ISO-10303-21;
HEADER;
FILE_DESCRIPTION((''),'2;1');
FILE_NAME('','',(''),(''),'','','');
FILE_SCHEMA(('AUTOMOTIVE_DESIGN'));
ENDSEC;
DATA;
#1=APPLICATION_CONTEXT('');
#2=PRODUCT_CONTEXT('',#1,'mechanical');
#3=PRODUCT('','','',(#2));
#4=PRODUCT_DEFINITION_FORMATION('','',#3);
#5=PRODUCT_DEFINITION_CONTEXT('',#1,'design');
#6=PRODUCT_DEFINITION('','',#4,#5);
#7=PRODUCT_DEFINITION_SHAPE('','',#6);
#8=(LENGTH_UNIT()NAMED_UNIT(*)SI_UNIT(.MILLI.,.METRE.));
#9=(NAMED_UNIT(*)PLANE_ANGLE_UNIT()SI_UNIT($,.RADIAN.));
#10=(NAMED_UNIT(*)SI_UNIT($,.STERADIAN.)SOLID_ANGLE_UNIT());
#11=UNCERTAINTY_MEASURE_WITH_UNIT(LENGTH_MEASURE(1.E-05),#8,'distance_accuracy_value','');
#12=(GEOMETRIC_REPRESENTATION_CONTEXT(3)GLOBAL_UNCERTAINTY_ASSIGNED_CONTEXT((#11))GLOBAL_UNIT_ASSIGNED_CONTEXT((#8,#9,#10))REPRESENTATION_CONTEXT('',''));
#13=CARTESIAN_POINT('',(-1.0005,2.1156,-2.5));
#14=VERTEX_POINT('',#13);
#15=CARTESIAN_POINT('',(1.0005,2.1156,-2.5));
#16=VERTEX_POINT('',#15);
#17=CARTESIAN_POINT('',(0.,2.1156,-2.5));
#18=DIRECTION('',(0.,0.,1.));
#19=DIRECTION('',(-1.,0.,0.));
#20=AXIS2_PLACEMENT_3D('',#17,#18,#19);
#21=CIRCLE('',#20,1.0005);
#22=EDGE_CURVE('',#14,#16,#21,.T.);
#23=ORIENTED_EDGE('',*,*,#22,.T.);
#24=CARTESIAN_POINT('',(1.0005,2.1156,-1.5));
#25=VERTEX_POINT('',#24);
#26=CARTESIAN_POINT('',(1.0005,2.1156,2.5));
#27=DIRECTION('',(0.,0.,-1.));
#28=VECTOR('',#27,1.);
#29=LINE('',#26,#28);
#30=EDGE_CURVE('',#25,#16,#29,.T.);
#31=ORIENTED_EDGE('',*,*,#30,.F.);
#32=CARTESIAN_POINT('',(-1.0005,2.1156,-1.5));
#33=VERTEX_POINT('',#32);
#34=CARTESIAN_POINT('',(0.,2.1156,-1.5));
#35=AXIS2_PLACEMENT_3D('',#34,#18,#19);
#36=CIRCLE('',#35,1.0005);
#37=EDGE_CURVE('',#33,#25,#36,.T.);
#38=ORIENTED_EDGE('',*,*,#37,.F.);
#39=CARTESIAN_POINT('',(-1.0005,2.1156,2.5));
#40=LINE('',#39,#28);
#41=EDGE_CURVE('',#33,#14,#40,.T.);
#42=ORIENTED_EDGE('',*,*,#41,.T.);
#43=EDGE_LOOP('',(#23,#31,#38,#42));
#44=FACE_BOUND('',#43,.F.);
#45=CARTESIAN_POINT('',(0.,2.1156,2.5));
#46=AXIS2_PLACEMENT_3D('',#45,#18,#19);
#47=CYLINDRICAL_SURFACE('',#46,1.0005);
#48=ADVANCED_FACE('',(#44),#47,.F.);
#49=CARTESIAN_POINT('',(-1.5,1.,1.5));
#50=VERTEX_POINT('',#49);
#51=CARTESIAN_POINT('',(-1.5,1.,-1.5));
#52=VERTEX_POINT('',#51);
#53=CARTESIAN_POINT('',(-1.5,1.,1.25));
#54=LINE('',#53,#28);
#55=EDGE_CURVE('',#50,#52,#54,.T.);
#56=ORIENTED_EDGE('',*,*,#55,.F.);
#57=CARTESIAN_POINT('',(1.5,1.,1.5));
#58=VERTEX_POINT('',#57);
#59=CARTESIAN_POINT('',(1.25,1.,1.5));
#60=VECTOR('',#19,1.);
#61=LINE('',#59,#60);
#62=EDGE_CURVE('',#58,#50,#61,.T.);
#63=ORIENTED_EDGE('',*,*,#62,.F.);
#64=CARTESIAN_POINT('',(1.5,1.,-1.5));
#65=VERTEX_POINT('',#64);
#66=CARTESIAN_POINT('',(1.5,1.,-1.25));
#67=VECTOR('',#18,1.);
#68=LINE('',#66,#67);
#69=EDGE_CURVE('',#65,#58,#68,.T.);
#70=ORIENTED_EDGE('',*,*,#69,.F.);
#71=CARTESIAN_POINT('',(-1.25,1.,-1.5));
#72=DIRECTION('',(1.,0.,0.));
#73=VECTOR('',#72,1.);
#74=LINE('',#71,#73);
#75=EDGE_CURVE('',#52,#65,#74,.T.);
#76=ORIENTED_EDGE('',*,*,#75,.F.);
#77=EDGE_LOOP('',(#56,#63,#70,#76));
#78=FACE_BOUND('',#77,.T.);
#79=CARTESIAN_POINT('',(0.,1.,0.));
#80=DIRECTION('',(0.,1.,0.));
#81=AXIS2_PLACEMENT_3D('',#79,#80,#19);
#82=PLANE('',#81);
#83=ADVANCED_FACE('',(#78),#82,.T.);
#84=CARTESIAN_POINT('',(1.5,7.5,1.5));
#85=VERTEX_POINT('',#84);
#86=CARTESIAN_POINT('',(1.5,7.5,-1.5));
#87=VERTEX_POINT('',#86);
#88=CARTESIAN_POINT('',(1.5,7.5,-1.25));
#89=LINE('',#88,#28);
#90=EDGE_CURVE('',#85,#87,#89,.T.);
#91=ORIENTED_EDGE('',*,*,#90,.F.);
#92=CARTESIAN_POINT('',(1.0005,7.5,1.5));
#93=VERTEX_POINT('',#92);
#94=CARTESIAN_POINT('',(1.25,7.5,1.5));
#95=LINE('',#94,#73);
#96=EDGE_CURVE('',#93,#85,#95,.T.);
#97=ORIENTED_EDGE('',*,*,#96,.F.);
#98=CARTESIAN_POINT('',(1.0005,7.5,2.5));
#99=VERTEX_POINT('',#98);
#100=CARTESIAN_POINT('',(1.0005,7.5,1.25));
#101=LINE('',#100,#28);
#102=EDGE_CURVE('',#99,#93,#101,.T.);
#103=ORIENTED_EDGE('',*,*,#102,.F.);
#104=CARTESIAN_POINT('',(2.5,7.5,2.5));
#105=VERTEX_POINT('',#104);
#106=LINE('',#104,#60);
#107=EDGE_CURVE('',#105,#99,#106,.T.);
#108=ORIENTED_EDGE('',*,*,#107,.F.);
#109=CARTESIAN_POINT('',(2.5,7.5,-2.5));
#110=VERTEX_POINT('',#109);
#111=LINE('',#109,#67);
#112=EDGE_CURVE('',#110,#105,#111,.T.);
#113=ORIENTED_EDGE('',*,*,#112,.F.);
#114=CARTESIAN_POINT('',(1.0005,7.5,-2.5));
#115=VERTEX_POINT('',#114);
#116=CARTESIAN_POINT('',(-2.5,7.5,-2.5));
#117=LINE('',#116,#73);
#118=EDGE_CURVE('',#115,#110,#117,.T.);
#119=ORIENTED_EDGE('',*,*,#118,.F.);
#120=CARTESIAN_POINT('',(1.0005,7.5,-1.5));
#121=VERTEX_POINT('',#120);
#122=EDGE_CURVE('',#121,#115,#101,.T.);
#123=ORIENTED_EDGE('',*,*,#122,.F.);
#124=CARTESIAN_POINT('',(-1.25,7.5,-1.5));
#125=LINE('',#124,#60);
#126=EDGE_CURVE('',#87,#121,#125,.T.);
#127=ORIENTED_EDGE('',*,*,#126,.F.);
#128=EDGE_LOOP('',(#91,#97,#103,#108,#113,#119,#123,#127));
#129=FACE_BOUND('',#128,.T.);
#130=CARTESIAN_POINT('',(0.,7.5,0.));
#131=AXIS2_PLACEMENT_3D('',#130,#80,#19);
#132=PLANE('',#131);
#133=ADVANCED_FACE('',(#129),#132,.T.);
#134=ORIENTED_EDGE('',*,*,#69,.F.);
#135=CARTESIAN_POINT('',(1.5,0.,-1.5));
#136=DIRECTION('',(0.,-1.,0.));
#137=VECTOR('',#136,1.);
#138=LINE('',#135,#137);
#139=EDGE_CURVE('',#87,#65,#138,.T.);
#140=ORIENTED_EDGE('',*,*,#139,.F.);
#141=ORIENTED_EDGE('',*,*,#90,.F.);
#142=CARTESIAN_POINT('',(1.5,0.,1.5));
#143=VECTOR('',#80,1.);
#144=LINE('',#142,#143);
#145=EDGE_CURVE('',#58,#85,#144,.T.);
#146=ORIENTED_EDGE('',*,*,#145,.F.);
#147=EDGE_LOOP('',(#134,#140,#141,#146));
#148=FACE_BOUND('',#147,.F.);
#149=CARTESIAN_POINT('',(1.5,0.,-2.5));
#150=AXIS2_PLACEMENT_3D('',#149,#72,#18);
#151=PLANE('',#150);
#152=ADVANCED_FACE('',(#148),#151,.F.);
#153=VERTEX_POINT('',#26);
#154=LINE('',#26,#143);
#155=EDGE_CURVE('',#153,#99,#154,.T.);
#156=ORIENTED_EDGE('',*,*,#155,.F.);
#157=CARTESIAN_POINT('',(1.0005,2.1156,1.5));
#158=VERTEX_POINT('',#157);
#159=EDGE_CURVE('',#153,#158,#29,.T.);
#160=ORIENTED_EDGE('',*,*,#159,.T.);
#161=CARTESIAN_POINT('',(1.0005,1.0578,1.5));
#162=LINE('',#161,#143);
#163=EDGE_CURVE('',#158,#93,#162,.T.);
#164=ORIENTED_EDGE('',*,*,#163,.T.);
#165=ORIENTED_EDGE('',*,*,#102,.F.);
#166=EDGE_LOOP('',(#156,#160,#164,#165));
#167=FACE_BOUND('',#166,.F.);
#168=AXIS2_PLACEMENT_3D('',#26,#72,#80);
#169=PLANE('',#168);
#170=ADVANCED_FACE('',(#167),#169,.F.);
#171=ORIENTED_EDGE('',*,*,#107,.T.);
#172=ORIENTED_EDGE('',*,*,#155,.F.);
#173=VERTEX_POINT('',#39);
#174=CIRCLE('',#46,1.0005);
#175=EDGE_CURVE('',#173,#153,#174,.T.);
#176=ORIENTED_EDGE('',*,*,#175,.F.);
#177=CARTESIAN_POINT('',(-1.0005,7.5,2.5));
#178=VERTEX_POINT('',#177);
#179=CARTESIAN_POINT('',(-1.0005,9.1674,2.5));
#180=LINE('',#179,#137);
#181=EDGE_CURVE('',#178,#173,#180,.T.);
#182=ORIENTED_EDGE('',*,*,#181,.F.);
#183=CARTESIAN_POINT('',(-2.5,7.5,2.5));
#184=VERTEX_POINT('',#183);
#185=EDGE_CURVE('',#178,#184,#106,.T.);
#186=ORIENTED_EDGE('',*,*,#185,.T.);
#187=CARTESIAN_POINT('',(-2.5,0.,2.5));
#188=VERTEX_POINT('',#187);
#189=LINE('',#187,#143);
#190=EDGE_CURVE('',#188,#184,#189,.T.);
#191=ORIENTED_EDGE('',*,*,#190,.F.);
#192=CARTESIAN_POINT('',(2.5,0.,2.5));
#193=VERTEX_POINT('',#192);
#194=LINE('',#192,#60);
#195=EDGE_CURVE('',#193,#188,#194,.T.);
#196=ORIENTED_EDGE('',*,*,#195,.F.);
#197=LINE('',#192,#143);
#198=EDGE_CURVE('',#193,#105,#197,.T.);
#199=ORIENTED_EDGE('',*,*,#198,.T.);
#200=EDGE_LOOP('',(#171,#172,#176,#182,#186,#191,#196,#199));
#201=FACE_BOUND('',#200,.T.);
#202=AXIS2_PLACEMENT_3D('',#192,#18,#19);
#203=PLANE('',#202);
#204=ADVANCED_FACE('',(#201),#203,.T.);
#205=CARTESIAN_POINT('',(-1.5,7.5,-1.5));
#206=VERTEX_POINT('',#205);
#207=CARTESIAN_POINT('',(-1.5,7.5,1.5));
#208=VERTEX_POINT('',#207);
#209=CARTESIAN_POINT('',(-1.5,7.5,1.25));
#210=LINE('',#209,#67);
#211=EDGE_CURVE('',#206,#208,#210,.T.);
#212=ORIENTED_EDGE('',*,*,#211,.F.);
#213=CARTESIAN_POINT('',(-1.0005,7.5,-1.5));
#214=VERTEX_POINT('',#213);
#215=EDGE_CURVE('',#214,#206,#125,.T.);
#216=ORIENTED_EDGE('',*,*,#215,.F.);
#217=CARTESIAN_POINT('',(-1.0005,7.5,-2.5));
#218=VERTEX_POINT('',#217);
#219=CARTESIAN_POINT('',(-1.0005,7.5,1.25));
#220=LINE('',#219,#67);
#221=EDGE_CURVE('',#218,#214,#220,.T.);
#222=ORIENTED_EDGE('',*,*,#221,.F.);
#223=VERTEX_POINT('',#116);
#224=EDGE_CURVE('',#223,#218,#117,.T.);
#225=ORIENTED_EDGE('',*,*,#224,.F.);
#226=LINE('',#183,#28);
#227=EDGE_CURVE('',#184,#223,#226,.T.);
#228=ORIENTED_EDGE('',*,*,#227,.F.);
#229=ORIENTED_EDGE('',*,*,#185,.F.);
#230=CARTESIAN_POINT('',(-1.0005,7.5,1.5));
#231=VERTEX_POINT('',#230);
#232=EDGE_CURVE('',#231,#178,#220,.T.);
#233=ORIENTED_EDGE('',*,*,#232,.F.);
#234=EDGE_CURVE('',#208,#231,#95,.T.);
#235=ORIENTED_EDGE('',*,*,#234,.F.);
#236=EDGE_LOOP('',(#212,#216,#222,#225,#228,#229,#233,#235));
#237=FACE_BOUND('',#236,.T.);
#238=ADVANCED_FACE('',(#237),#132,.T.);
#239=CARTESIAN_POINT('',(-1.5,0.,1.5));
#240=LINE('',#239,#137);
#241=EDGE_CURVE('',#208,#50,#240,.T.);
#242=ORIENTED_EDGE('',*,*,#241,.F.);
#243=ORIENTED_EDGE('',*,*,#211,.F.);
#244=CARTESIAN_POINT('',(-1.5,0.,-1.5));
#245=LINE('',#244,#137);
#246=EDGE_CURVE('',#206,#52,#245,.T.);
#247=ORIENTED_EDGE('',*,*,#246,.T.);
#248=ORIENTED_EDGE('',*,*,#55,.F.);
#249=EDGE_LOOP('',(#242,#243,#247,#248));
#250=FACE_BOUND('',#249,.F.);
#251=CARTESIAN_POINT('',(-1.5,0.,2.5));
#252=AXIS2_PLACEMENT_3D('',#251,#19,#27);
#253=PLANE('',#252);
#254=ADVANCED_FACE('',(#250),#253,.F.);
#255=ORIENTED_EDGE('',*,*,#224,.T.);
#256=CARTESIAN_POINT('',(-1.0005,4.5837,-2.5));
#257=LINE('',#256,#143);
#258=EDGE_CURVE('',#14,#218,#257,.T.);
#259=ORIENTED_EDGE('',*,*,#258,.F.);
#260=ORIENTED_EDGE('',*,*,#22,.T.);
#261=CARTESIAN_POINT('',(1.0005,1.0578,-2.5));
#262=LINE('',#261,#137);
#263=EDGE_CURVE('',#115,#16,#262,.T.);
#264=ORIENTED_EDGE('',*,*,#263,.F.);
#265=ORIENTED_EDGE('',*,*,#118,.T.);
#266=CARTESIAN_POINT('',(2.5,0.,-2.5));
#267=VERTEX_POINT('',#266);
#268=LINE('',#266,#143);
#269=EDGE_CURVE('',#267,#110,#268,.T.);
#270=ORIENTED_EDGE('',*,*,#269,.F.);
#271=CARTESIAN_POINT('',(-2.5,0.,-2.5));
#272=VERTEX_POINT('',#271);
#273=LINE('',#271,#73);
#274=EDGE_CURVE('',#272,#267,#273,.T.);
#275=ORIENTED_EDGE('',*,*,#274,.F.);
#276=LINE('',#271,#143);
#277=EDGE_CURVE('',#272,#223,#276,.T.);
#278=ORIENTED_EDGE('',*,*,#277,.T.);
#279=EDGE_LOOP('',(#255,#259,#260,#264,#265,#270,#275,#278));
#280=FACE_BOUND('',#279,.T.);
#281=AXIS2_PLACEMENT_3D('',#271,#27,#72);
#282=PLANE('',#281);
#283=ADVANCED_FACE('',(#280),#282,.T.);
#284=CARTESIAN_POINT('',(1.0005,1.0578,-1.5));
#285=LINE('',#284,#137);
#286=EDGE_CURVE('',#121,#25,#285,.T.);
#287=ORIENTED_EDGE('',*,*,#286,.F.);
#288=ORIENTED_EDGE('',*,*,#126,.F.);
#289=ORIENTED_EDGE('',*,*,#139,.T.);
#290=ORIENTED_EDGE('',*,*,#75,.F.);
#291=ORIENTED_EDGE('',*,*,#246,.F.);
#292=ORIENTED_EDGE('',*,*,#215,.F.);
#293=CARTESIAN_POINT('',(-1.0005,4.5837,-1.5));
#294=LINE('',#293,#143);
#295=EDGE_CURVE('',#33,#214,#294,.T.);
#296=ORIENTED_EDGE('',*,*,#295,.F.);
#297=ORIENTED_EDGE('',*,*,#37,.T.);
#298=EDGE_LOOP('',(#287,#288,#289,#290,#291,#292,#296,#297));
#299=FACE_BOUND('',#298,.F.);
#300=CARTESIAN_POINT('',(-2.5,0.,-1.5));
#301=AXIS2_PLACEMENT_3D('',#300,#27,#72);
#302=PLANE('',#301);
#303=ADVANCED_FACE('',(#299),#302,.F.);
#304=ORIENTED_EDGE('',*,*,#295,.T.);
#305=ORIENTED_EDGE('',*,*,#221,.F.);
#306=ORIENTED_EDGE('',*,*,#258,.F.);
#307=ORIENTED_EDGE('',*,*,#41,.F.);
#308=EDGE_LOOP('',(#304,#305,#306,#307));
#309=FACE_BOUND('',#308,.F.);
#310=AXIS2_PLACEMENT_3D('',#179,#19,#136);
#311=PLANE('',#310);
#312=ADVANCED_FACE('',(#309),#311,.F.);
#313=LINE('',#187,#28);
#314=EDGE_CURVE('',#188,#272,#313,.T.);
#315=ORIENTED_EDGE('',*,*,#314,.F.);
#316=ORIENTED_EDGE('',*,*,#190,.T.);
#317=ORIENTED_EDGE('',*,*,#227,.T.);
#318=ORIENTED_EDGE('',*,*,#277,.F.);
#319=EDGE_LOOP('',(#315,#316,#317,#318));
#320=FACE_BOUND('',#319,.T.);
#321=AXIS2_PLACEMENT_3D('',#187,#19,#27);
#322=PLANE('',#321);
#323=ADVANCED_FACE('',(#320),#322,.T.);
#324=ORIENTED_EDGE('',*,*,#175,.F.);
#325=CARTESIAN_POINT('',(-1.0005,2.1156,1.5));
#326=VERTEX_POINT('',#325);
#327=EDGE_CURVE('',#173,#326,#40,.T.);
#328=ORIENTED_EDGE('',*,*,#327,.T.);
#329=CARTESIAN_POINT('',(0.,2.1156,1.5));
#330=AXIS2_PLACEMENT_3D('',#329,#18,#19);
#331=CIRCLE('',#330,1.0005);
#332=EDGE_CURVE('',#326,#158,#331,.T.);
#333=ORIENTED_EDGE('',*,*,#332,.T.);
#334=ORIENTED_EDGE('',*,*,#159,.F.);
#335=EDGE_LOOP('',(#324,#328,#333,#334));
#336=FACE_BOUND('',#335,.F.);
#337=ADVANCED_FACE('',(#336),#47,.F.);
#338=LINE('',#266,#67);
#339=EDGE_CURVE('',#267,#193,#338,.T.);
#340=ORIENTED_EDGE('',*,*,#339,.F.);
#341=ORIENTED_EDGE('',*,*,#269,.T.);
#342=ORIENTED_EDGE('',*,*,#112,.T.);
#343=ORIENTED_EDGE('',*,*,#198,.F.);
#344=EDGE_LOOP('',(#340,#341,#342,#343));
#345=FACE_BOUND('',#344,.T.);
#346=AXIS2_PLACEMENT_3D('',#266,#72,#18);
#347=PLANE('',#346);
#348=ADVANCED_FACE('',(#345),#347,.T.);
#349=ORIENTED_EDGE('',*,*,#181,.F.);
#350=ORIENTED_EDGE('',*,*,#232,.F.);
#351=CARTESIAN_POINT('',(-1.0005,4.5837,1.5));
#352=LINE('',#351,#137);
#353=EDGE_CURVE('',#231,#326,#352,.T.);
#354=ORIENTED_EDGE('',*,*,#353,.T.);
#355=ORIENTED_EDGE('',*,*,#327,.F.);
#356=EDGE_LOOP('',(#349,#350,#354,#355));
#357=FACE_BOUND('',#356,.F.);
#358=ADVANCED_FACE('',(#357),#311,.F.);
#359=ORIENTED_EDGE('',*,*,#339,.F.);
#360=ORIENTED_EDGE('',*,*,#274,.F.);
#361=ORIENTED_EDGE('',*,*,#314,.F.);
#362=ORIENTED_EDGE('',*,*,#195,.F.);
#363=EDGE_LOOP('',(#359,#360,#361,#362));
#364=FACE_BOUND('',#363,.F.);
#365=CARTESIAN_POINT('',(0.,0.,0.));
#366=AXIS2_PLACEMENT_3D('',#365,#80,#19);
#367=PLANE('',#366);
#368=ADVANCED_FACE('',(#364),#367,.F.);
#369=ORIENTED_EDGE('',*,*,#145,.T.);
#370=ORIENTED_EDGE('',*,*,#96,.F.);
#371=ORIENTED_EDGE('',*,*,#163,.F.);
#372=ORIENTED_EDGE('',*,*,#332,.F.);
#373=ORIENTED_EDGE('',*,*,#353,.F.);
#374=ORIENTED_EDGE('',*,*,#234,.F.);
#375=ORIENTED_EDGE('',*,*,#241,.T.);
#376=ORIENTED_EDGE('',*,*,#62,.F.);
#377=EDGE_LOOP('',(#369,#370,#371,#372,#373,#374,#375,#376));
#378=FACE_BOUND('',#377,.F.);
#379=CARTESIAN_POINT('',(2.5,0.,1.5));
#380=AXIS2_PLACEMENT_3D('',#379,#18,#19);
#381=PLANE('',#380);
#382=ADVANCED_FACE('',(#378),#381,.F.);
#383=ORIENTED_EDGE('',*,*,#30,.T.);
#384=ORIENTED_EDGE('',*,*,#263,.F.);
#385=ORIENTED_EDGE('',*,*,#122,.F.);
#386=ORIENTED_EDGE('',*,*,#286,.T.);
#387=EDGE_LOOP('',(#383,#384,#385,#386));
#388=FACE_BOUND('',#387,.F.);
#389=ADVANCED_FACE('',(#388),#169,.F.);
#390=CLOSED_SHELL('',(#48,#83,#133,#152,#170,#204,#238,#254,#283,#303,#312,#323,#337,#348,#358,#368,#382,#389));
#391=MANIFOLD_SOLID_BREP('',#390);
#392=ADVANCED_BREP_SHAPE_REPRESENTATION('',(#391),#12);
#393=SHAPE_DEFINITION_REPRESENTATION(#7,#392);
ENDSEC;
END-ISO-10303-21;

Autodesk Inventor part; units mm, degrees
ref_plane "YZ Plane" through (0, 0, 0) normal (1, 0, 0) x (0, 1, 0)
ref_plane "XZ Plane" through (0, 0, 0) normal (0, 1, 0) x (-1, 0, 0)
ref_plane "XY Plane" through (0, 0, 0) normal (0, 0, 1) x (1, 0, 0)
sketch "Sketch1" plane through (0, 0, 0) normal (0, 1, 0) x (-1, 0, 0)
  line L0 (-2.5, 2.5) -> (2.5, 2.5)
  line L1 (2.5, 2.5) -> (2.5, -2.5)
  line L2 (2.5, -2.5) -> (-2.5, -2.5)
  line L3 (-2.5, -2.5) -> (-2.5, 2.5)
  line L4 (-2.5, 2.5) -> (2.5, -2.5) construction
  line L5 (2.5, 2.5) -> (-2.5, -2.5) construction
  point P0 (0, 0)
  dimension "d0" = 5
  dimension "d1" = 5
extrude "Extrusion1" add sketch "Sketch1" along normal blind 7.5
shell "Shell1" thickness 1 removed faces 1 at (-0.8333, 7.5, -0.8333)
sketch "Sketch3" plane through (-2.5, 0, 2.5) normal (0, 0, 1) x (1, 0, 0)
  line L0 (2.5, 9.1674) -> (2.5, 2.1156) construction
  line L1 (1.4995, 9.1674) -> (1.4995, 2.1156)
  line L2 (3.5005, 2.1156) -> (3.5005, 9.1674)
  arc A0 (3.5005, 9.1674) -> (1.4995, 9.1674) centre (2.5, 9.1674) ccw
  arc A1 (1.4995, 2.1156) -> (3.5005, 2.1156) centre (2.5, 2.1156) ccw
  point P0 (2.5, 0)
  point P1 (2.5, 5.6415)
extrude "Extrusion3" cut sketch "Sketch3" against normal through all
properties part number "snapfit_v04"
